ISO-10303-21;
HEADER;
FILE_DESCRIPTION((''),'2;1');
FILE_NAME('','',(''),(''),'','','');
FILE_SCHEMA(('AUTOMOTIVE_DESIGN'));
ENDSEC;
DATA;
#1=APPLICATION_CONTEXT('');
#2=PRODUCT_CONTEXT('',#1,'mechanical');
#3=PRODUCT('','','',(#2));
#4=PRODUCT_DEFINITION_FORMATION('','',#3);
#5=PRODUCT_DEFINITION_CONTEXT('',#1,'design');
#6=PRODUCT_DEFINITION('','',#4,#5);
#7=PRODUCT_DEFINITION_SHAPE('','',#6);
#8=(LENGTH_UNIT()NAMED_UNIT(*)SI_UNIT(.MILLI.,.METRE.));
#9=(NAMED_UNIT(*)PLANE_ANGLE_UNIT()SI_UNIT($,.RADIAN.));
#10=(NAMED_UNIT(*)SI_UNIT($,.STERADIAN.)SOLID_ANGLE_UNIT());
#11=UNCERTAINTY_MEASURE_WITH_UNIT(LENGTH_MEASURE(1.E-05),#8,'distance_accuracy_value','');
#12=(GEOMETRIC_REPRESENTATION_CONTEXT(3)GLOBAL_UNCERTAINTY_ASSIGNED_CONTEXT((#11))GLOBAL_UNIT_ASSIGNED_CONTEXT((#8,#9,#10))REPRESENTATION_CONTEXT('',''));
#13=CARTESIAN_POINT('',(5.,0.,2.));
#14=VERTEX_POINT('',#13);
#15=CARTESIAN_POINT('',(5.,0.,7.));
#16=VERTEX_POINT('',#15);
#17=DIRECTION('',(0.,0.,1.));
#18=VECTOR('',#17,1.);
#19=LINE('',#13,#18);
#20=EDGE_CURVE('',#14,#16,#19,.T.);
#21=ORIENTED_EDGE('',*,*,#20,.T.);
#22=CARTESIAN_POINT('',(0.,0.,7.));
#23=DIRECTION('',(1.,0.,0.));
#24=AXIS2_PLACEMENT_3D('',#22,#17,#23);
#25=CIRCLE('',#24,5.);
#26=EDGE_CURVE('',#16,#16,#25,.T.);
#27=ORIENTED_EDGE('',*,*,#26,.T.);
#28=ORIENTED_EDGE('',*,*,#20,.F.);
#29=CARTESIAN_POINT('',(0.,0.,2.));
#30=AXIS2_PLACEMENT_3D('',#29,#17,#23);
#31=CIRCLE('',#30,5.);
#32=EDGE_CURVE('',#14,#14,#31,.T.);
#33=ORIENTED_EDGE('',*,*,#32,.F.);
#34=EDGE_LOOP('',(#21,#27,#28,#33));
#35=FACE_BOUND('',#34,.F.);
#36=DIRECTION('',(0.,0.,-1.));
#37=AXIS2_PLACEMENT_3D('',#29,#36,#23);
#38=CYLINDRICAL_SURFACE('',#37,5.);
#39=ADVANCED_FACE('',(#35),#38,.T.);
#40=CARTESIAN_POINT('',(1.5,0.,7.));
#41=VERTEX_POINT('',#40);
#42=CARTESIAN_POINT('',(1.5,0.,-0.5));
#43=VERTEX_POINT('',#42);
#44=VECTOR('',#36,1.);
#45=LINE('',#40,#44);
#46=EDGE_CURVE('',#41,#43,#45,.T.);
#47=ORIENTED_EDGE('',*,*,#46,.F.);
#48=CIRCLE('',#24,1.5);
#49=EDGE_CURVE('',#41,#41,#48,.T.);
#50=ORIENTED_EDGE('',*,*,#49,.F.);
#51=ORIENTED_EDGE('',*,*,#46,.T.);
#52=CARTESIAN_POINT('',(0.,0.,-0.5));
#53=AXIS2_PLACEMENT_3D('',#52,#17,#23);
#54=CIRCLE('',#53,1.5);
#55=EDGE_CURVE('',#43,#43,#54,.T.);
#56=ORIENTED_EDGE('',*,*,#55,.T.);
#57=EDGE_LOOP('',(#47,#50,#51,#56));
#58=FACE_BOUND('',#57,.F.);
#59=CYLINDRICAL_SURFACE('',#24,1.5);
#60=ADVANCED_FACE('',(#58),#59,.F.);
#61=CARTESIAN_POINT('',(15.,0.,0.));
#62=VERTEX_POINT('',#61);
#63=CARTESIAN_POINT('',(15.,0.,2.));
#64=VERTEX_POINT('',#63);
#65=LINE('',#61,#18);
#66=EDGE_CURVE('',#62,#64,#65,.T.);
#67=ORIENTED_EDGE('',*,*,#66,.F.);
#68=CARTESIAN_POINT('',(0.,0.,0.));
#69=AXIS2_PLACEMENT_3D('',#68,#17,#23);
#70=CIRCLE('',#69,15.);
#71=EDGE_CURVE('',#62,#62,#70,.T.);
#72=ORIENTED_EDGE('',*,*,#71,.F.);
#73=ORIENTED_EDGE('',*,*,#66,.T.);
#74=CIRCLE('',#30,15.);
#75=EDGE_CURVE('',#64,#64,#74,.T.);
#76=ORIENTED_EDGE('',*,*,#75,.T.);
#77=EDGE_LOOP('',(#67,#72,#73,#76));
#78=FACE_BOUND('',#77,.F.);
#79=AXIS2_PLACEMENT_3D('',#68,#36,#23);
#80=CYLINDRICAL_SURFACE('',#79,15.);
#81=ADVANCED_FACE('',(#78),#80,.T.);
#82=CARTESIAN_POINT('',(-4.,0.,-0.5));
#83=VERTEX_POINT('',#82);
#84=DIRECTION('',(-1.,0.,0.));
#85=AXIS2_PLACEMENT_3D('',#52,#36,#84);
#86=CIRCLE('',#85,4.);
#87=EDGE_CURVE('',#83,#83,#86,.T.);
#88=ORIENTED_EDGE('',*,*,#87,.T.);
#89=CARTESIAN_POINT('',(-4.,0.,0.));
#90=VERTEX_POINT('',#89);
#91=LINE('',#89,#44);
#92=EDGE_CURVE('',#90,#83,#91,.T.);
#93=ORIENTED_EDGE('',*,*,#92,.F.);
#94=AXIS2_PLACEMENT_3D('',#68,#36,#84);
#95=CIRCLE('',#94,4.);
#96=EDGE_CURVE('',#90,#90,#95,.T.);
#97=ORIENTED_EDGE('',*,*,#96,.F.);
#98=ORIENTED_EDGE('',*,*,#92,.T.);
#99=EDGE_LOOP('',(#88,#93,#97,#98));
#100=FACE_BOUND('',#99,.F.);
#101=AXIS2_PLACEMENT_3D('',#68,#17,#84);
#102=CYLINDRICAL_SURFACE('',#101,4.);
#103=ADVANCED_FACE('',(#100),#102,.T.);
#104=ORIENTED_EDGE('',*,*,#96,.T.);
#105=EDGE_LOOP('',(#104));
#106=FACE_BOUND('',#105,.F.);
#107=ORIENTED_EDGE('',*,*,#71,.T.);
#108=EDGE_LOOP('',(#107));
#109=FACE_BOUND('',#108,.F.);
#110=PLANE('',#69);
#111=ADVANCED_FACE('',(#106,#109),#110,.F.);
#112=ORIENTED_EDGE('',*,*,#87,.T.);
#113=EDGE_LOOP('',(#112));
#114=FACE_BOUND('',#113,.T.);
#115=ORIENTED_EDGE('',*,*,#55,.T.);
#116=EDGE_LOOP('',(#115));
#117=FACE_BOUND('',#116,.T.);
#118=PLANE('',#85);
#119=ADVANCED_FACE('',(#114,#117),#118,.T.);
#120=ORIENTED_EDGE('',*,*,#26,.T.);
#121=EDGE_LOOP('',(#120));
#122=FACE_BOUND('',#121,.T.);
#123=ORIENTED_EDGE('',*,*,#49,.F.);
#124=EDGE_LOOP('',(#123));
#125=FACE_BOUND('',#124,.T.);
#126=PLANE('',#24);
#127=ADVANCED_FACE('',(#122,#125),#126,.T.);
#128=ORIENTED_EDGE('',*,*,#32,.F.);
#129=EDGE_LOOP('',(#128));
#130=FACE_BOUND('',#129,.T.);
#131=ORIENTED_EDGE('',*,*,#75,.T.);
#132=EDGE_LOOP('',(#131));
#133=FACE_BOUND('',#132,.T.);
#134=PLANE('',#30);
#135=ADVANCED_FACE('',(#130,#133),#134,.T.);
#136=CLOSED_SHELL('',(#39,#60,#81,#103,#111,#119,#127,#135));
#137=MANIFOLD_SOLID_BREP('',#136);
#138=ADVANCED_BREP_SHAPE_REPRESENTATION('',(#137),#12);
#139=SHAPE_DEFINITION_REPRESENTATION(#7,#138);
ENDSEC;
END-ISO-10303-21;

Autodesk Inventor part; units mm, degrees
ref_plane "YZ Plane" through (0, 0, 0) normal (1, 0, 0) x (0, 1, 0)
ref_plane "XZ Plane" through (0, 0, 0) normal (0, 1, 0) x (-1, 0, 0)
ref_plane "XY Plane" through (0, 0, 0) normal (0, 0, 1) x (1, 0, 0)
sketch "スケッチ1" plane through (0, 0, 0) normal (0, 0, 1) x (1, 0, 0)
  circle A0 centre (0, 0) radius 15
  dimension "d0" = 30
extrude "押し出し1" add sketch "スケッチ1" along normal blind 2
sketch "スケッチ2" plane through (0, 0, 2) normal (0, 0, 1) x (1, 0, 0)
  circle A0 centre (0, 0) radius 5
  dimension "d3" = 10
extrude "押し出し2" add sketch "スケッチ2" along normal blind 5
sketch "スケッチ4" plane through (0, 0, 0) normal (0, 0, -1) x (-1, 0, 0)
  circle A0 centre (0, 0) radius 4
  dimension "d9" = 8
extrude "押し出し4" add sketch "スケッチ4" along normal blind 0.5
sketch "スケッチ5" plane through (0, 0, 7) normal (0, 0, 1) x (1, 0, 0)
  circle A0 centre (0, 0) radius 1.5
  dimension "d12" = 3
extrude "押し出し5" cut sketch "スケッチ5" against normal blind 15
properties part number "Gear2_BSS0.5-30A" material "真鍮"
